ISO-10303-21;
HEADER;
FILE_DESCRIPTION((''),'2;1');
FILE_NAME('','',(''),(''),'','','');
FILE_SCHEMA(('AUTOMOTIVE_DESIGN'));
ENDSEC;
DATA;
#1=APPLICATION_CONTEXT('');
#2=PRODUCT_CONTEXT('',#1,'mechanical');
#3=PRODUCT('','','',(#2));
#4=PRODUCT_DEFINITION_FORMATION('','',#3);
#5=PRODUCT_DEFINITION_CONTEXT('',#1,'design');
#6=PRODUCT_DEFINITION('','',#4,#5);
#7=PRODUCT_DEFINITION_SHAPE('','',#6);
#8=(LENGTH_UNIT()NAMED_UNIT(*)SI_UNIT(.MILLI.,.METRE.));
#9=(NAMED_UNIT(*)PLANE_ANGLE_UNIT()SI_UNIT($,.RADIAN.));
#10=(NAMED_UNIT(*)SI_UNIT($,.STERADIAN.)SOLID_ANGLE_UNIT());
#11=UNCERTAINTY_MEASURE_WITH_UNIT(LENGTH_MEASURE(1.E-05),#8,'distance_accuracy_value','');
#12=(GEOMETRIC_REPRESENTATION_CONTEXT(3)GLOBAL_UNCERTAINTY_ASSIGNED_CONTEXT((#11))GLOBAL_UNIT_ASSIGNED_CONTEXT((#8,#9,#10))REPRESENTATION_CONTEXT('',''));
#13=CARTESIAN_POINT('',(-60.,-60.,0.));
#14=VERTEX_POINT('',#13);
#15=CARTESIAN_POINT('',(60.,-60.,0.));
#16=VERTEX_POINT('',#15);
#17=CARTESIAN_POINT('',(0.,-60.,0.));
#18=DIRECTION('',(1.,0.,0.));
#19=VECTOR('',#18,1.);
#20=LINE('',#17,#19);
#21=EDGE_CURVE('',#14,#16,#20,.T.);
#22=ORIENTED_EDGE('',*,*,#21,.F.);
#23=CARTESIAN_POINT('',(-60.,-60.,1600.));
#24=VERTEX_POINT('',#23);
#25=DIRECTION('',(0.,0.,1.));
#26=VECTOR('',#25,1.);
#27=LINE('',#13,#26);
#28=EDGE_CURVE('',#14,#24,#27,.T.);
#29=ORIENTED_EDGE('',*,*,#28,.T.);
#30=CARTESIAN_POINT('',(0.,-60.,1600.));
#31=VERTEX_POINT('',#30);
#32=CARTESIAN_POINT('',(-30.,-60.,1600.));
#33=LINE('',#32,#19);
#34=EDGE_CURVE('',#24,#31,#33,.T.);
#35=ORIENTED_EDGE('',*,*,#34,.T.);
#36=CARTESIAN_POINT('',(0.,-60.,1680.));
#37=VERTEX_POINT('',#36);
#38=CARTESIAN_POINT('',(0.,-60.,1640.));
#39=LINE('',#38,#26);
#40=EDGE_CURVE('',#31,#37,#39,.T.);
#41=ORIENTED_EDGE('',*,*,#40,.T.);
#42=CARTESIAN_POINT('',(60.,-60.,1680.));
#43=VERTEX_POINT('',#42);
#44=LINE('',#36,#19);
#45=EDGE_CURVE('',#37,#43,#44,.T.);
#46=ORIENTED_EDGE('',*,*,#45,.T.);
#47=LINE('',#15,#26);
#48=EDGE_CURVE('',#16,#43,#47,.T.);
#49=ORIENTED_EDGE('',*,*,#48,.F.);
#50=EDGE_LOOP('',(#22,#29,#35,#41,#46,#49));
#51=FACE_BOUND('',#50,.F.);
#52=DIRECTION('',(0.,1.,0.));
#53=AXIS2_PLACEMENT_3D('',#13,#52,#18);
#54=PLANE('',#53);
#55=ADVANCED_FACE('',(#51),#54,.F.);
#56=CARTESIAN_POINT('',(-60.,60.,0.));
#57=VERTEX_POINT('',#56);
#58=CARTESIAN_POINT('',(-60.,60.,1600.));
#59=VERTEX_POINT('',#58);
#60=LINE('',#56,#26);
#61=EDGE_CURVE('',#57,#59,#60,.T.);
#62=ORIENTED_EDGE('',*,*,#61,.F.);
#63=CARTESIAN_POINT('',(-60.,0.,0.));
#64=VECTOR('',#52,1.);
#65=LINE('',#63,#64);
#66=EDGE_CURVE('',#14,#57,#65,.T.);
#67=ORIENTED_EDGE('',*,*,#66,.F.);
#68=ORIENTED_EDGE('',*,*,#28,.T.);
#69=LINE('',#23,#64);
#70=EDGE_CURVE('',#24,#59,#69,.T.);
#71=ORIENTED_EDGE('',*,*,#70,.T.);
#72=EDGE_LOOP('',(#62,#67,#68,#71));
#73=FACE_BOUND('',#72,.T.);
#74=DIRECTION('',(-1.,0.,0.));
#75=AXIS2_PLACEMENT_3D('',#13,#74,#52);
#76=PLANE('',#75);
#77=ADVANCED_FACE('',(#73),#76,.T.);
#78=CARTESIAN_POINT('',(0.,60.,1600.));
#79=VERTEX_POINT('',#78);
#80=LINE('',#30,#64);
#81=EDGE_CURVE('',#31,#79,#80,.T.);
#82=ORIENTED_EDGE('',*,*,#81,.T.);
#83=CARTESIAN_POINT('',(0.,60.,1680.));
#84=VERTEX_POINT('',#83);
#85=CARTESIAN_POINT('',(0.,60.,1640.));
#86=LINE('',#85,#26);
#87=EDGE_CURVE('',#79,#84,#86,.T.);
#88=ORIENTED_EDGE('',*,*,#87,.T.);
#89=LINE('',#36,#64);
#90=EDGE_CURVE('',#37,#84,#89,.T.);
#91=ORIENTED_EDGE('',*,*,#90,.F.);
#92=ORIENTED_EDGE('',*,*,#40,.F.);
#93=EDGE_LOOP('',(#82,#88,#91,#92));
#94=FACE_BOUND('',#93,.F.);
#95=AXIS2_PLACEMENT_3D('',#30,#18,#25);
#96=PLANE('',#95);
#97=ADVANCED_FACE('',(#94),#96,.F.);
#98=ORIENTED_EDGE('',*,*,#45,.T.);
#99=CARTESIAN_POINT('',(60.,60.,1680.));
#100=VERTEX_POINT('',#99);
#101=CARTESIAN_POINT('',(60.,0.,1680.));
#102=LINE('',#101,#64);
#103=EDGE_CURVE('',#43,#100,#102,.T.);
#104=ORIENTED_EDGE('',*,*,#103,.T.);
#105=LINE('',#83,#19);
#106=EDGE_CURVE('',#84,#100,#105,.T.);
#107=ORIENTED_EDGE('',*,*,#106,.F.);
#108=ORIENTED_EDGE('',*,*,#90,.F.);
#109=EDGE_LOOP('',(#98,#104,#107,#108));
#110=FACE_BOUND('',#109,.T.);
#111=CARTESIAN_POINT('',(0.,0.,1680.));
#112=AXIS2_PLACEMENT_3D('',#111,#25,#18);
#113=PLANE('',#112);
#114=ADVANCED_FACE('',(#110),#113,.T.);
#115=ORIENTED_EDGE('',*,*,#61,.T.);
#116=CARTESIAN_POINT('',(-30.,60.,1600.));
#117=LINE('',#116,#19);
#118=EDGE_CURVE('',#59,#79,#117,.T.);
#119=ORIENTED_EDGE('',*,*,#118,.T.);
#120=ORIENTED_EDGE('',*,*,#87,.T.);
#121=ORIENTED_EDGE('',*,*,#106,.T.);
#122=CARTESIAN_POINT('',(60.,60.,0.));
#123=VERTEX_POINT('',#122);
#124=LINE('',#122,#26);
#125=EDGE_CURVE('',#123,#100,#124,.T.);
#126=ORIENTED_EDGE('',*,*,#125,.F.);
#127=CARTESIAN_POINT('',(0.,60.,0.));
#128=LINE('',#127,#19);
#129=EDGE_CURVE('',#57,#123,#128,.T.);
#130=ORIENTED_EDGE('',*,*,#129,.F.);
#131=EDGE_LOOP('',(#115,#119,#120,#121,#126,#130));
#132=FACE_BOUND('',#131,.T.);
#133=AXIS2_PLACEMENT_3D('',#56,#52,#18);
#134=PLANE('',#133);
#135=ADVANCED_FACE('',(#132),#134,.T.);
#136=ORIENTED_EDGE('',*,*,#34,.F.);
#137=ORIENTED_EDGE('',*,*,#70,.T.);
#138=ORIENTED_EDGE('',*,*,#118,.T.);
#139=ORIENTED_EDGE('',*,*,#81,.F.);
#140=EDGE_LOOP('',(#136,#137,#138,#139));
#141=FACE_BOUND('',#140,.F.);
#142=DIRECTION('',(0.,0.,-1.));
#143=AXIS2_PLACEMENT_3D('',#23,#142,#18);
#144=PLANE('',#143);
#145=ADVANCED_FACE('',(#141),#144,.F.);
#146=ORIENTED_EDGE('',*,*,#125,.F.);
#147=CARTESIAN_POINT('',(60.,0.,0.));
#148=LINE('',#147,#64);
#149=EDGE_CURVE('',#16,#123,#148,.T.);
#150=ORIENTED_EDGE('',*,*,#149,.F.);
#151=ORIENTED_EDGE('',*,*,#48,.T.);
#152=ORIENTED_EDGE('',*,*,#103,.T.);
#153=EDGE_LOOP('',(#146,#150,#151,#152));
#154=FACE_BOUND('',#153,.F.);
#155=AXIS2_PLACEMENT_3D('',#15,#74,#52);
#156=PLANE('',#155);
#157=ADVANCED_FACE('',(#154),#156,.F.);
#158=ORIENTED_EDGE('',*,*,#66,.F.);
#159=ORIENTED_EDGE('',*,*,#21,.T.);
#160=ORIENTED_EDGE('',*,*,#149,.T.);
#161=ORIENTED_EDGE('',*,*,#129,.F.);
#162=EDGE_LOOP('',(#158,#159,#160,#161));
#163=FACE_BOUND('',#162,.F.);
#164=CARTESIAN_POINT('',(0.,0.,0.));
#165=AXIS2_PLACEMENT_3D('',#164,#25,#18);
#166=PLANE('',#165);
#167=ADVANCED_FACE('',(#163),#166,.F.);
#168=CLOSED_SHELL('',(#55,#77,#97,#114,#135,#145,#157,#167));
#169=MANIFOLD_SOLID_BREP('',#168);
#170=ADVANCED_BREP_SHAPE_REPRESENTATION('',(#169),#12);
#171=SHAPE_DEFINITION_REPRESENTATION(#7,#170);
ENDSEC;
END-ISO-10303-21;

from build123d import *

# Parameters (mm, degrees)
F2_W     = 120
F2_H     = 120
F3_DEPTH = 1680
F4_W     = 60
F4_H     = 80
F5_DEPTH = 120


with BuildPart() as f3:
    # F2 (on Top) → F3 (new body)
    with BuildSketch(Plane.XY):
        Rectangle(F2_W, F2_H)
    extrude(amount=F3_DEPTH)

    # F4 (on face) → F5 (cut, through all)
    with BuildSketch(Plane.XZ.offset(60)):
        with Locations((-30, 1640)):
            Rectangle(F4_W, F4_H)
    extrude(amount=-F5_DEPTH, mode=Mode.SUBTRACT)


solid = f3.part
